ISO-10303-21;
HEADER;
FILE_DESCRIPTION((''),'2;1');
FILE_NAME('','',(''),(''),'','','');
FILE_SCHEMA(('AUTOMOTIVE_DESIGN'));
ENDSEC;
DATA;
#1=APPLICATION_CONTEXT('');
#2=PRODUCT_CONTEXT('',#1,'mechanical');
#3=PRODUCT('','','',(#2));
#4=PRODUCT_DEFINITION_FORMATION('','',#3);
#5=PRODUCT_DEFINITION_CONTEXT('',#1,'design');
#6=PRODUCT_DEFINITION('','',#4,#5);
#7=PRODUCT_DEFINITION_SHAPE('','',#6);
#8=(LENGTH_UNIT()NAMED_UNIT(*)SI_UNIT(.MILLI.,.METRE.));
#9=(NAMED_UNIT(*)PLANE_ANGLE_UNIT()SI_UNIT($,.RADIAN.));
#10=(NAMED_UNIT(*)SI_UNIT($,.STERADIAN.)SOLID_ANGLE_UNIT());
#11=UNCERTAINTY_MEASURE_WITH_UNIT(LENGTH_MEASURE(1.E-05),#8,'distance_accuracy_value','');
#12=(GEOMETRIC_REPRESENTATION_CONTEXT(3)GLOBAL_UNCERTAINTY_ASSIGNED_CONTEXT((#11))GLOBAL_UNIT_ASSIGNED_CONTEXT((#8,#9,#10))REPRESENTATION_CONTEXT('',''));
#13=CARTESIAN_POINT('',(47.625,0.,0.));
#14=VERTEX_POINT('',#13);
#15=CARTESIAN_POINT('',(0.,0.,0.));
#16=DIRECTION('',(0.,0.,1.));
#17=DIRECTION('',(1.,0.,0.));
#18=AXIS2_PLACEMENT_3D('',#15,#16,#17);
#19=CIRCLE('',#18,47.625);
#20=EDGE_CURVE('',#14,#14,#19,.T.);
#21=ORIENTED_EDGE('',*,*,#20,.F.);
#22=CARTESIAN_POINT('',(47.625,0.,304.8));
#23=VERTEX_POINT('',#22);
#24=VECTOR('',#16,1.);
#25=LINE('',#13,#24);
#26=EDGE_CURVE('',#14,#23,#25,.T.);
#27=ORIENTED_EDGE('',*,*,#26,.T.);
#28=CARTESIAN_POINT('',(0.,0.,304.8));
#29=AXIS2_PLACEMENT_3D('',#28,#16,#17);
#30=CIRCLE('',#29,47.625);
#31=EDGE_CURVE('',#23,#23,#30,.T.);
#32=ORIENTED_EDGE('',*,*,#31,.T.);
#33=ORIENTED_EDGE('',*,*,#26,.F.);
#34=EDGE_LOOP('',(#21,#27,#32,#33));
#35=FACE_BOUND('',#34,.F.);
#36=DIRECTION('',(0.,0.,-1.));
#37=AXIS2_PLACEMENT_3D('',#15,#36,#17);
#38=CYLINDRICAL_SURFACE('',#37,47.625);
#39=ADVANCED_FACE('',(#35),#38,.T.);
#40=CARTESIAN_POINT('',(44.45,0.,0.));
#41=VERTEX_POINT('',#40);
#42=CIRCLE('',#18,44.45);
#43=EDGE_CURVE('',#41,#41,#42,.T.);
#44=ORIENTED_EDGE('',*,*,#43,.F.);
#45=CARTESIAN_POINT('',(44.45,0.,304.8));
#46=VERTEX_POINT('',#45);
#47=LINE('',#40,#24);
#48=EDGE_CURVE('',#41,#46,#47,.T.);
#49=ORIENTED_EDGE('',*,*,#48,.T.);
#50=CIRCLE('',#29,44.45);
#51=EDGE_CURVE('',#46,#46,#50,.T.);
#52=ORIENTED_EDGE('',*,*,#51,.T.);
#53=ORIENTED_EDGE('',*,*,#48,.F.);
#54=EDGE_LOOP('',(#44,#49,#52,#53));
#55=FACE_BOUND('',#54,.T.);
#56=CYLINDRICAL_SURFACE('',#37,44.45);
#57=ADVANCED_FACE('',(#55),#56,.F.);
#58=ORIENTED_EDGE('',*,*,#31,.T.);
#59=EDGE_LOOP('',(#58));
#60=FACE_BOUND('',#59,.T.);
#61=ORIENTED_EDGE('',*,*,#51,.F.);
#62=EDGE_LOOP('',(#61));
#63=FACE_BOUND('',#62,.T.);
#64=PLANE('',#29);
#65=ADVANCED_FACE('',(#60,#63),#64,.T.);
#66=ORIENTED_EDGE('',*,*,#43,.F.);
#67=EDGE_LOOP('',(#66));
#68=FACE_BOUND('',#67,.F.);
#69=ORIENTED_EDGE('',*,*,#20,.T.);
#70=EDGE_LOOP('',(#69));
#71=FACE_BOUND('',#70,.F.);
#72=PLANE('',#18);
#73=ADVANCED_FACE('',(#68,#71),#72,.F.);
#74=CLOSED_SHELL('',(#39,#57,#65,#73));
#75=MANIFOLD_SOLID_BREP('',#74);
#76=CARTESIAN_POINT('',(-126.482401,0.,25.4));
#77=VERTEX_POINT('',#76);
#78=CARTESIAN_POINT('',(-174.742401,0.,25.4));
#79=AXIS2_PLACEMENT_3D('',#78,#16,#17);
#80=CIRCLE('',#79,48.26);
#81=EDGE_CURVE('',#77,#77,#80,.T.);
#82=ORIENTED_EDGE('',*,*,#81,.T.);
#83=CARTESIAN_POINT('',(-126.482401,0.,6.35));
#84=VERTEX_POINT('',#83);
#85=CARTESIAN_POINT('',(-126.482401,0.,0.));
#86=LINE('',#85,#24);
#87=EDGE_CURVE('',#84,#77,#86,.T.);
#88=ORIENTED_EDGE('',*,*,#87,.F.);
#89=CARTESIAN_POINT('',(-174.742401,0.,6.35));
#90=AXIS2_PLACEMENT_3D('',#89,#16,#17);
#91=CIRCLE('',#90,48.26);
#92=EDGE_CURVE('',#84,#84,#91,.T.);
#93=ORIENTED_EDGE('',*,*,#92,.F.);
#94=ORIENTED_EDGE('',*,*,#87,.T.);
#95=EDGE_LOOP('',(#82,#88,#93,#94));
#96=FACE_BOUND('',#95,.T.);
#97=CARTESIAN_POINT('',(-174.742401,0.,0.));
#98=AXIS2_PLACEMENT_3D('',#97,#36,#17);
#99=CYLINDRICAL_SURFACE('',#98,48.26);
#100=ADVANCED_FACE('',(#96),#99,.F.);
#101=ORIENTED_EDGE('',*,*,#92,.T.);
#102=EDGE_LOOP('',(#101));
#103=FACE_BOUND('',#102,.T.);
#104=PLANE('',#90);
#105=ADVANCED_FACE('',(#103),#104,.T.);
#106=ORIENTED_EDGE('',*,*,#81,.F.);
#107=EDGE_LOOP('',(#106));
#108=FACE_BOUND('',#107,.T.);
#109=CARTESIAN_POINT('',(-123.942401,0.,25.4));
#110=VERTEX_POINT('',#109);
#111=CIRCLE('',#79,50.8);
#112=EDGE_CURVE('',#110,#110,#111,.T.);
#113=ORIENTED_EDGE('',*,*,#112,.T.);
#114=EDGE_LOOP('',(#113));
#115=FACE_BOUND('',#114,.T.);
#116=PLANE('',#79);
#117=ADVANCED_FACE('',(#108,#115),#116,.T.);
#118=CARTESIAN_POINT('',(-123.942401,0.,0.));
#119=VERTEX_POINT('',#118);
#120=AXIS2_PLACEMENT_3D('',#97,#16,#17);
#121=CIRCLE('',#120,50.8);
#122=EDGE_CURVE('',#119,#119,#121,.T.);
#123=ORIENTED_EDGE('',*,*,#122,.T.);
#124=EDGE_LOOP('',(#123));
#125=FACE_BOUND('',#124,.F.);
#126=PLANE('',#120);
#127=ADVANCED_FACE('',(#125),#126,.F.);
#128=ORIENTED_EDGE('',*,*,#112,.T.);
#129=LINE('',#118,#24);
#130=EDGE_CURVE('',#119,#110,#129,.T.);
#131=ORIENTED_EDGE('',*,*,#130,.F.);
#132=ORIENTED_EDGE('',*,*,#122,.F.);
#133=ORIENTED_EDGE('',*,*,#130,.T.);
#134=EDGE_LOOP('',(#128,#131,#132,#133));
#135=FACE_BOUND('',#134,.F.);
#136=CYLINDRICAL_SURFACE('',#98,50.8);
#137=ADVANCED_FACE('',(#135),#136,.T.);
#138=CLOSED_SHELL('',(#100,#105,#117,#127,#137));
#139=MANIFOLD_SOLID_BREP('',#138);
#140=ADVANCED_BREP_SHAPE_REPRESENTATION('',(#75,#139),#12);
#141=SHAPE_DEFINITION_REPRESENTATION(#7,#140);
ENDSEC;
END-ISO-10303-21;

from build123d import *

# Parameters (mm, degrees)
F0_R     = 47.625
F0_R_2   = 44.45
F1_DEPTH = 304.8
F0_R_3   = 48.26
F2_DEPTH = 6.35
F0_R_4   = 50.8
F3_DEPTH = 25.4


with BuildPart() as f1:
    # F0 (on Top) → F1 (new body)
    with BuildSketch(Plane.XY):
        Circle(F0_R)
        Circle(F0_R_2, mode=Mode.SUBTRACT)
    extrude(amount=F1_DEPTH)


with BuildPart() as f2:
    # F0 (on Top) → F2 (new body)
    with BuildSketch(Plane.XY):
        with Locations((-174.742401, 0)):
            Circle(F0_R_3)
    extrude(amount=F2_DEPTH)

    # F0 (on Top) → F3 (join)
    with BuildSketch(Plane.XY):
        with Locations((-174.742401, 0)):
            Circle(F0_R_4)
        with Locations((-174.742401, 0)):
            Circle(F0_R_3, mode=Mode.SUBTRACT)
    extrude(amount=F3_DEPTH)


solid = Compound([f1.part, f2.part])
